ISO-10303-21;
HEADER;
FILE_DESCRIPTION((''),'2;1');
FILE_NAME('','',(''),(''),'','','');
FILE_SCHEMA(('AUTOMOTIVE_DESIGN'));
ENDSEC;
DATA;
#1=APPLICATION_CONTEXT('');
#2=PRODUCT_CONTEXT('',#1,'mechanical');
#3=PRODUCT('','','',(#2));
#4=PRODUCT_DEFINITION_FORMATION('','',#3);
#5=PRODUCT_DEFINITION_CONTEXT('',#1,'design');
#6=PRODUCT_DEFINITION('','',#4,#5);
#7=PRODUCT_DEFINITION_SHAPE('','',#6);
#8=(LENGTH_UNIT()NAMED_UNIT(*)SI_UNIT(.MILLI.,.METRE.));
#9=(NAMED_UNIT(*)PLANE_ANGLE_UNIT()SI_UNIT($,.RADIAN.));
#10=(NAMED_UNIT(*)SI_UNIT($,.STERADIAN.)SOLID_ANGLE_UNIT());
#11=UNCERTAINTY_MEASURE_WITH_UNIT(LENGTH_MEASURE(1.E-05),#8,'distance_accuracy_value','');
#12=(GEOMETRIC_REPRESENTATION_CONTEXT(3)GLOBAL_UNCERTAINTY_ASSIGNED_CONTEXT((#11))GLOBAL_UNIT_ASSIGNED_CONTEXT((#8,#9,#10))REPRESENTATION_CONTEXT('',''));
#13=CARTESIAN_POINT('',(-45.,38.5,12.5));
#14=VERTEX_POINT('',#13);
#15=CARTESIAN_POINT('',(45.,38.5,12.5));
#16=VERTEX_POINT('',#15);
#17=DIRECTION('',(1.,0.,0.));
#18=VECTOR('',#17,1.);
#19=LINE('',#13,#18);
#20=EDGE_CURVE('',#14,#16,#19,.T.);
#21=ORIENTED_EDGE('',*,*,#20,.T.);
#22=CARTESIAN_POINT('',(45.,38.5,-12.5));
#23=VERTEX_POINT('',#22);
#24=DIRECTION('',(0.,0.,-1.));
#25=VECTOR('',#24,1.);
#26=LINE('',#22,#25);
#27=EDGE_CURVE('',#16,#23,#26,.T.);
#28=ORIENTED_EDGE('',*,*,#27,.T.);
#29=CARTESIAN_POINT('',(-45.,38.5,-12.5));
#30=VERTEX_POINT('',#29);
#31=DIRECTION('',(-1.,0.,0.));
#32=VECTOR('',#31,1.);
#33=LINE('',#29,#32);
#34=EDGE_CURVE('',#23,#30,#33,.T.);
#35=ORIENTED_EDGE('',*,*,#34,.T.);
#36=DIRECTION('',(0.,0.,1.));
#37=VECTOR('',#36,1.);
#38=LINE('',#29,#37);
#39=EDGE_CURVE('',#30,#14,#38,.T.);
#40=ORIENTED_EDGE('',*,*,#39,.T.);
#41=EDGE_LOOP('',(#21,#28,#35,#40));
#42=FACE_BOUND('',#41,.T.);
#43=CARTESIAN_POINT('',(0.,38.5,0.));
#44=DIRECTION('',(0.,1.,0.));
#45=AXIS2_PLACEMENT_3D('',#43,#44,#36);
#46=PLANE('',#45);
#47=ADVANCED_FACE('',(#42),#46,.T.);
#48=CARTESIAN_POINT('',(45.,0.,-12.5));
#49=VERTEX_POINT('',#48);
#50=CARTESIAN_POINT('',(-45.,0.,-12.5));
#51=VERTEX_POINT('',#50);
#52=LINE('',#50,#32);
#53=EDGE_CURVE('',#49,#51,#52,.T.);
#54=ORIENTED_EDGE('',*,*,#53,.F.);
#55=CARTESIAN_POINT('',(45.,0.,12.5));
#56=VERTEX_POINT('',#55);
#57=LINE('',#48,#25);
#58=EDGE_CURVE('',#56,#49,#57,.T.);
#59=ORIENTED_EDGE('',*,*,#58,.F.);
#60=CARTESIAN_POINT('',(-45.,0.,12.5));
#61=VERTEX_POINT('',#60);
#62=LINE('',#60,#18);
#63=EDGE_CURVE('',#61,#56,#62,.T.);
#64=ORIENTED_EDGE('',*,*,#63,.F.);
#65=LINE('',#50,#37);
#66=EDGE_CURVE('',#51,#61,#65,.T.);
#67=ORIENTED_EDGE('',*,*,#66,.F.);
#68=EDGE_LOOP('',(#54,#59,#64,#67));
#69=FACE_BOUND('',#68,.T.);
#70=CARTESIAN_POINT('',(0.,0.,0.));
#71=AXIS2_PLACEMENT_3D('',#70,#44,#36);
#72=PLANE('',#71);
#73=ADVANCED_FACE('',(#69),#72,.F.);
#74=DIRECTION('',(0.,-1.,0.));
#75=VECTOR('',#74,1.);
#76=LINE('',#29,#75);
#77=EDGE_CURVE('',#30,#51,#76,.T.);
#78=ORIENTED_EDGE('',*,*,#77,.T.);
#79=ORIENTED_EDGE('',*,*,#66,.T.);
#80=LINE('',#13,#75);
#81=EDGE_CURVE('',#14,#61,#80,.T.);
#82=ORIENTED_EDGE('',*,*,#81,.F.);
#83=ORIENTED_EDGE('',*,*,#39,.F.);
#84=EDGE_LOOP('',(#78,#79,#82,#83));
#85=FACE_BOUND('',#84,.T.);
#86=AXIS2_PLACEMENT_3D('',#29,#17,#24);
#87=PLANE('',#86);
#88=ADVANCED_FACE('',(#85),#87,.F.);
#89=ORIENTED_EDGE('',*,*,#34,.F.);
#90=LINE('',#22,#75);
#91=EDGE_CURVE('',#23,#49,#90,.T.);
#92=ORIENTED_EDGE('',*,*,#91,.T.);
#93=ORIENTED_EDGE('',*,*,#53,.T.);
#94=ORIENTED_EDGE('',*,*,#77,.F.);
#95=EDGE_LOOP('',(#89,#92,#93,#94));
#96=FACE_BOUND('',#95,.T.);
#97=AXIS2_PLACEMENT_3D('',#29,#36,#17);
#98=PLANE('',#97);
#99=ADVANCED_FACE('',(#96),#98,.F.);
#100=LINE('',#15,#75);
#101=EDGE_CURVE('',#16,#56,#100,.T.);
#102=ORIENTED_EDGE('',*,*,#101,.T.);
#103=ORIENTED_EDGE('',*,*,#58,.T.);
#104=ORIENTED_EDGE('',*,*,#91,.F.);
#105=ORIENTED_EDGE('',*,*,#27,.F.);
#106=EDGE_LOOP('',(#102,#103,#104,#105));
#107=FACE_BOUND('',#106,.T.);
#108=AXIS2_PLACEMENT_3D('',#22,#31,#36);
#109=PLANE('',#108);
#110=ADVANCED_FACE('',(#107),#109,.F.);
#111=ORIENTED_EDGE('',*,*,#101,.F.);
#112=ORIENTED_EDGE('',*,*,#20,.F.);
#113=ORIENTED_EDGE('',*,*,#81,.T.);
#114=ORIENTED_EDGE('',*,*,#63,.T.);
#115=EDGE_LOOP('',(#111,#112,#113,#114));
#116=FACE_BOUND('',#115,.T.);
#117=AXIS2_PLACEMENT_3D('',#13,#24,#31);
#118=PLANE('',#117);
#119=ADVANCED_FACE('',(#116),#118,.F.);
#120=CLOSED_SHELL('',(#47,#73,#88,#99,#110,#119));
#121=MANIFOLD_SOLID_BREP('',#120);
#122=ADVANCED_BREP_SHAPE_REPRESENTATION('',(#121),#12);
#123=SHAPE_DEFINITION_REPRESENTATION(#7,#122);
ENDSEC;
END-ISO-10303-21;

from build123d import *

# Parameters (mm, degrees)
SKETCH_1_W      = 90
SKETCH_1_H      = 25
EXTRUDE_1_DEPTH = 38.5


with BuildPart() as part:
    # 草图1 → 凸台-拉伸1 (new body)
    with BuildSketch(Plane(origin=(0, 0, 0), x_dir=(1, 0, 0), z_dir=(0, 1, 0))):
        Rectangle(SKETCH_1_W, SKETCH_1_H)
    extrude(amount=EXTRUDE_1_DEPTH)


solid = part.part
